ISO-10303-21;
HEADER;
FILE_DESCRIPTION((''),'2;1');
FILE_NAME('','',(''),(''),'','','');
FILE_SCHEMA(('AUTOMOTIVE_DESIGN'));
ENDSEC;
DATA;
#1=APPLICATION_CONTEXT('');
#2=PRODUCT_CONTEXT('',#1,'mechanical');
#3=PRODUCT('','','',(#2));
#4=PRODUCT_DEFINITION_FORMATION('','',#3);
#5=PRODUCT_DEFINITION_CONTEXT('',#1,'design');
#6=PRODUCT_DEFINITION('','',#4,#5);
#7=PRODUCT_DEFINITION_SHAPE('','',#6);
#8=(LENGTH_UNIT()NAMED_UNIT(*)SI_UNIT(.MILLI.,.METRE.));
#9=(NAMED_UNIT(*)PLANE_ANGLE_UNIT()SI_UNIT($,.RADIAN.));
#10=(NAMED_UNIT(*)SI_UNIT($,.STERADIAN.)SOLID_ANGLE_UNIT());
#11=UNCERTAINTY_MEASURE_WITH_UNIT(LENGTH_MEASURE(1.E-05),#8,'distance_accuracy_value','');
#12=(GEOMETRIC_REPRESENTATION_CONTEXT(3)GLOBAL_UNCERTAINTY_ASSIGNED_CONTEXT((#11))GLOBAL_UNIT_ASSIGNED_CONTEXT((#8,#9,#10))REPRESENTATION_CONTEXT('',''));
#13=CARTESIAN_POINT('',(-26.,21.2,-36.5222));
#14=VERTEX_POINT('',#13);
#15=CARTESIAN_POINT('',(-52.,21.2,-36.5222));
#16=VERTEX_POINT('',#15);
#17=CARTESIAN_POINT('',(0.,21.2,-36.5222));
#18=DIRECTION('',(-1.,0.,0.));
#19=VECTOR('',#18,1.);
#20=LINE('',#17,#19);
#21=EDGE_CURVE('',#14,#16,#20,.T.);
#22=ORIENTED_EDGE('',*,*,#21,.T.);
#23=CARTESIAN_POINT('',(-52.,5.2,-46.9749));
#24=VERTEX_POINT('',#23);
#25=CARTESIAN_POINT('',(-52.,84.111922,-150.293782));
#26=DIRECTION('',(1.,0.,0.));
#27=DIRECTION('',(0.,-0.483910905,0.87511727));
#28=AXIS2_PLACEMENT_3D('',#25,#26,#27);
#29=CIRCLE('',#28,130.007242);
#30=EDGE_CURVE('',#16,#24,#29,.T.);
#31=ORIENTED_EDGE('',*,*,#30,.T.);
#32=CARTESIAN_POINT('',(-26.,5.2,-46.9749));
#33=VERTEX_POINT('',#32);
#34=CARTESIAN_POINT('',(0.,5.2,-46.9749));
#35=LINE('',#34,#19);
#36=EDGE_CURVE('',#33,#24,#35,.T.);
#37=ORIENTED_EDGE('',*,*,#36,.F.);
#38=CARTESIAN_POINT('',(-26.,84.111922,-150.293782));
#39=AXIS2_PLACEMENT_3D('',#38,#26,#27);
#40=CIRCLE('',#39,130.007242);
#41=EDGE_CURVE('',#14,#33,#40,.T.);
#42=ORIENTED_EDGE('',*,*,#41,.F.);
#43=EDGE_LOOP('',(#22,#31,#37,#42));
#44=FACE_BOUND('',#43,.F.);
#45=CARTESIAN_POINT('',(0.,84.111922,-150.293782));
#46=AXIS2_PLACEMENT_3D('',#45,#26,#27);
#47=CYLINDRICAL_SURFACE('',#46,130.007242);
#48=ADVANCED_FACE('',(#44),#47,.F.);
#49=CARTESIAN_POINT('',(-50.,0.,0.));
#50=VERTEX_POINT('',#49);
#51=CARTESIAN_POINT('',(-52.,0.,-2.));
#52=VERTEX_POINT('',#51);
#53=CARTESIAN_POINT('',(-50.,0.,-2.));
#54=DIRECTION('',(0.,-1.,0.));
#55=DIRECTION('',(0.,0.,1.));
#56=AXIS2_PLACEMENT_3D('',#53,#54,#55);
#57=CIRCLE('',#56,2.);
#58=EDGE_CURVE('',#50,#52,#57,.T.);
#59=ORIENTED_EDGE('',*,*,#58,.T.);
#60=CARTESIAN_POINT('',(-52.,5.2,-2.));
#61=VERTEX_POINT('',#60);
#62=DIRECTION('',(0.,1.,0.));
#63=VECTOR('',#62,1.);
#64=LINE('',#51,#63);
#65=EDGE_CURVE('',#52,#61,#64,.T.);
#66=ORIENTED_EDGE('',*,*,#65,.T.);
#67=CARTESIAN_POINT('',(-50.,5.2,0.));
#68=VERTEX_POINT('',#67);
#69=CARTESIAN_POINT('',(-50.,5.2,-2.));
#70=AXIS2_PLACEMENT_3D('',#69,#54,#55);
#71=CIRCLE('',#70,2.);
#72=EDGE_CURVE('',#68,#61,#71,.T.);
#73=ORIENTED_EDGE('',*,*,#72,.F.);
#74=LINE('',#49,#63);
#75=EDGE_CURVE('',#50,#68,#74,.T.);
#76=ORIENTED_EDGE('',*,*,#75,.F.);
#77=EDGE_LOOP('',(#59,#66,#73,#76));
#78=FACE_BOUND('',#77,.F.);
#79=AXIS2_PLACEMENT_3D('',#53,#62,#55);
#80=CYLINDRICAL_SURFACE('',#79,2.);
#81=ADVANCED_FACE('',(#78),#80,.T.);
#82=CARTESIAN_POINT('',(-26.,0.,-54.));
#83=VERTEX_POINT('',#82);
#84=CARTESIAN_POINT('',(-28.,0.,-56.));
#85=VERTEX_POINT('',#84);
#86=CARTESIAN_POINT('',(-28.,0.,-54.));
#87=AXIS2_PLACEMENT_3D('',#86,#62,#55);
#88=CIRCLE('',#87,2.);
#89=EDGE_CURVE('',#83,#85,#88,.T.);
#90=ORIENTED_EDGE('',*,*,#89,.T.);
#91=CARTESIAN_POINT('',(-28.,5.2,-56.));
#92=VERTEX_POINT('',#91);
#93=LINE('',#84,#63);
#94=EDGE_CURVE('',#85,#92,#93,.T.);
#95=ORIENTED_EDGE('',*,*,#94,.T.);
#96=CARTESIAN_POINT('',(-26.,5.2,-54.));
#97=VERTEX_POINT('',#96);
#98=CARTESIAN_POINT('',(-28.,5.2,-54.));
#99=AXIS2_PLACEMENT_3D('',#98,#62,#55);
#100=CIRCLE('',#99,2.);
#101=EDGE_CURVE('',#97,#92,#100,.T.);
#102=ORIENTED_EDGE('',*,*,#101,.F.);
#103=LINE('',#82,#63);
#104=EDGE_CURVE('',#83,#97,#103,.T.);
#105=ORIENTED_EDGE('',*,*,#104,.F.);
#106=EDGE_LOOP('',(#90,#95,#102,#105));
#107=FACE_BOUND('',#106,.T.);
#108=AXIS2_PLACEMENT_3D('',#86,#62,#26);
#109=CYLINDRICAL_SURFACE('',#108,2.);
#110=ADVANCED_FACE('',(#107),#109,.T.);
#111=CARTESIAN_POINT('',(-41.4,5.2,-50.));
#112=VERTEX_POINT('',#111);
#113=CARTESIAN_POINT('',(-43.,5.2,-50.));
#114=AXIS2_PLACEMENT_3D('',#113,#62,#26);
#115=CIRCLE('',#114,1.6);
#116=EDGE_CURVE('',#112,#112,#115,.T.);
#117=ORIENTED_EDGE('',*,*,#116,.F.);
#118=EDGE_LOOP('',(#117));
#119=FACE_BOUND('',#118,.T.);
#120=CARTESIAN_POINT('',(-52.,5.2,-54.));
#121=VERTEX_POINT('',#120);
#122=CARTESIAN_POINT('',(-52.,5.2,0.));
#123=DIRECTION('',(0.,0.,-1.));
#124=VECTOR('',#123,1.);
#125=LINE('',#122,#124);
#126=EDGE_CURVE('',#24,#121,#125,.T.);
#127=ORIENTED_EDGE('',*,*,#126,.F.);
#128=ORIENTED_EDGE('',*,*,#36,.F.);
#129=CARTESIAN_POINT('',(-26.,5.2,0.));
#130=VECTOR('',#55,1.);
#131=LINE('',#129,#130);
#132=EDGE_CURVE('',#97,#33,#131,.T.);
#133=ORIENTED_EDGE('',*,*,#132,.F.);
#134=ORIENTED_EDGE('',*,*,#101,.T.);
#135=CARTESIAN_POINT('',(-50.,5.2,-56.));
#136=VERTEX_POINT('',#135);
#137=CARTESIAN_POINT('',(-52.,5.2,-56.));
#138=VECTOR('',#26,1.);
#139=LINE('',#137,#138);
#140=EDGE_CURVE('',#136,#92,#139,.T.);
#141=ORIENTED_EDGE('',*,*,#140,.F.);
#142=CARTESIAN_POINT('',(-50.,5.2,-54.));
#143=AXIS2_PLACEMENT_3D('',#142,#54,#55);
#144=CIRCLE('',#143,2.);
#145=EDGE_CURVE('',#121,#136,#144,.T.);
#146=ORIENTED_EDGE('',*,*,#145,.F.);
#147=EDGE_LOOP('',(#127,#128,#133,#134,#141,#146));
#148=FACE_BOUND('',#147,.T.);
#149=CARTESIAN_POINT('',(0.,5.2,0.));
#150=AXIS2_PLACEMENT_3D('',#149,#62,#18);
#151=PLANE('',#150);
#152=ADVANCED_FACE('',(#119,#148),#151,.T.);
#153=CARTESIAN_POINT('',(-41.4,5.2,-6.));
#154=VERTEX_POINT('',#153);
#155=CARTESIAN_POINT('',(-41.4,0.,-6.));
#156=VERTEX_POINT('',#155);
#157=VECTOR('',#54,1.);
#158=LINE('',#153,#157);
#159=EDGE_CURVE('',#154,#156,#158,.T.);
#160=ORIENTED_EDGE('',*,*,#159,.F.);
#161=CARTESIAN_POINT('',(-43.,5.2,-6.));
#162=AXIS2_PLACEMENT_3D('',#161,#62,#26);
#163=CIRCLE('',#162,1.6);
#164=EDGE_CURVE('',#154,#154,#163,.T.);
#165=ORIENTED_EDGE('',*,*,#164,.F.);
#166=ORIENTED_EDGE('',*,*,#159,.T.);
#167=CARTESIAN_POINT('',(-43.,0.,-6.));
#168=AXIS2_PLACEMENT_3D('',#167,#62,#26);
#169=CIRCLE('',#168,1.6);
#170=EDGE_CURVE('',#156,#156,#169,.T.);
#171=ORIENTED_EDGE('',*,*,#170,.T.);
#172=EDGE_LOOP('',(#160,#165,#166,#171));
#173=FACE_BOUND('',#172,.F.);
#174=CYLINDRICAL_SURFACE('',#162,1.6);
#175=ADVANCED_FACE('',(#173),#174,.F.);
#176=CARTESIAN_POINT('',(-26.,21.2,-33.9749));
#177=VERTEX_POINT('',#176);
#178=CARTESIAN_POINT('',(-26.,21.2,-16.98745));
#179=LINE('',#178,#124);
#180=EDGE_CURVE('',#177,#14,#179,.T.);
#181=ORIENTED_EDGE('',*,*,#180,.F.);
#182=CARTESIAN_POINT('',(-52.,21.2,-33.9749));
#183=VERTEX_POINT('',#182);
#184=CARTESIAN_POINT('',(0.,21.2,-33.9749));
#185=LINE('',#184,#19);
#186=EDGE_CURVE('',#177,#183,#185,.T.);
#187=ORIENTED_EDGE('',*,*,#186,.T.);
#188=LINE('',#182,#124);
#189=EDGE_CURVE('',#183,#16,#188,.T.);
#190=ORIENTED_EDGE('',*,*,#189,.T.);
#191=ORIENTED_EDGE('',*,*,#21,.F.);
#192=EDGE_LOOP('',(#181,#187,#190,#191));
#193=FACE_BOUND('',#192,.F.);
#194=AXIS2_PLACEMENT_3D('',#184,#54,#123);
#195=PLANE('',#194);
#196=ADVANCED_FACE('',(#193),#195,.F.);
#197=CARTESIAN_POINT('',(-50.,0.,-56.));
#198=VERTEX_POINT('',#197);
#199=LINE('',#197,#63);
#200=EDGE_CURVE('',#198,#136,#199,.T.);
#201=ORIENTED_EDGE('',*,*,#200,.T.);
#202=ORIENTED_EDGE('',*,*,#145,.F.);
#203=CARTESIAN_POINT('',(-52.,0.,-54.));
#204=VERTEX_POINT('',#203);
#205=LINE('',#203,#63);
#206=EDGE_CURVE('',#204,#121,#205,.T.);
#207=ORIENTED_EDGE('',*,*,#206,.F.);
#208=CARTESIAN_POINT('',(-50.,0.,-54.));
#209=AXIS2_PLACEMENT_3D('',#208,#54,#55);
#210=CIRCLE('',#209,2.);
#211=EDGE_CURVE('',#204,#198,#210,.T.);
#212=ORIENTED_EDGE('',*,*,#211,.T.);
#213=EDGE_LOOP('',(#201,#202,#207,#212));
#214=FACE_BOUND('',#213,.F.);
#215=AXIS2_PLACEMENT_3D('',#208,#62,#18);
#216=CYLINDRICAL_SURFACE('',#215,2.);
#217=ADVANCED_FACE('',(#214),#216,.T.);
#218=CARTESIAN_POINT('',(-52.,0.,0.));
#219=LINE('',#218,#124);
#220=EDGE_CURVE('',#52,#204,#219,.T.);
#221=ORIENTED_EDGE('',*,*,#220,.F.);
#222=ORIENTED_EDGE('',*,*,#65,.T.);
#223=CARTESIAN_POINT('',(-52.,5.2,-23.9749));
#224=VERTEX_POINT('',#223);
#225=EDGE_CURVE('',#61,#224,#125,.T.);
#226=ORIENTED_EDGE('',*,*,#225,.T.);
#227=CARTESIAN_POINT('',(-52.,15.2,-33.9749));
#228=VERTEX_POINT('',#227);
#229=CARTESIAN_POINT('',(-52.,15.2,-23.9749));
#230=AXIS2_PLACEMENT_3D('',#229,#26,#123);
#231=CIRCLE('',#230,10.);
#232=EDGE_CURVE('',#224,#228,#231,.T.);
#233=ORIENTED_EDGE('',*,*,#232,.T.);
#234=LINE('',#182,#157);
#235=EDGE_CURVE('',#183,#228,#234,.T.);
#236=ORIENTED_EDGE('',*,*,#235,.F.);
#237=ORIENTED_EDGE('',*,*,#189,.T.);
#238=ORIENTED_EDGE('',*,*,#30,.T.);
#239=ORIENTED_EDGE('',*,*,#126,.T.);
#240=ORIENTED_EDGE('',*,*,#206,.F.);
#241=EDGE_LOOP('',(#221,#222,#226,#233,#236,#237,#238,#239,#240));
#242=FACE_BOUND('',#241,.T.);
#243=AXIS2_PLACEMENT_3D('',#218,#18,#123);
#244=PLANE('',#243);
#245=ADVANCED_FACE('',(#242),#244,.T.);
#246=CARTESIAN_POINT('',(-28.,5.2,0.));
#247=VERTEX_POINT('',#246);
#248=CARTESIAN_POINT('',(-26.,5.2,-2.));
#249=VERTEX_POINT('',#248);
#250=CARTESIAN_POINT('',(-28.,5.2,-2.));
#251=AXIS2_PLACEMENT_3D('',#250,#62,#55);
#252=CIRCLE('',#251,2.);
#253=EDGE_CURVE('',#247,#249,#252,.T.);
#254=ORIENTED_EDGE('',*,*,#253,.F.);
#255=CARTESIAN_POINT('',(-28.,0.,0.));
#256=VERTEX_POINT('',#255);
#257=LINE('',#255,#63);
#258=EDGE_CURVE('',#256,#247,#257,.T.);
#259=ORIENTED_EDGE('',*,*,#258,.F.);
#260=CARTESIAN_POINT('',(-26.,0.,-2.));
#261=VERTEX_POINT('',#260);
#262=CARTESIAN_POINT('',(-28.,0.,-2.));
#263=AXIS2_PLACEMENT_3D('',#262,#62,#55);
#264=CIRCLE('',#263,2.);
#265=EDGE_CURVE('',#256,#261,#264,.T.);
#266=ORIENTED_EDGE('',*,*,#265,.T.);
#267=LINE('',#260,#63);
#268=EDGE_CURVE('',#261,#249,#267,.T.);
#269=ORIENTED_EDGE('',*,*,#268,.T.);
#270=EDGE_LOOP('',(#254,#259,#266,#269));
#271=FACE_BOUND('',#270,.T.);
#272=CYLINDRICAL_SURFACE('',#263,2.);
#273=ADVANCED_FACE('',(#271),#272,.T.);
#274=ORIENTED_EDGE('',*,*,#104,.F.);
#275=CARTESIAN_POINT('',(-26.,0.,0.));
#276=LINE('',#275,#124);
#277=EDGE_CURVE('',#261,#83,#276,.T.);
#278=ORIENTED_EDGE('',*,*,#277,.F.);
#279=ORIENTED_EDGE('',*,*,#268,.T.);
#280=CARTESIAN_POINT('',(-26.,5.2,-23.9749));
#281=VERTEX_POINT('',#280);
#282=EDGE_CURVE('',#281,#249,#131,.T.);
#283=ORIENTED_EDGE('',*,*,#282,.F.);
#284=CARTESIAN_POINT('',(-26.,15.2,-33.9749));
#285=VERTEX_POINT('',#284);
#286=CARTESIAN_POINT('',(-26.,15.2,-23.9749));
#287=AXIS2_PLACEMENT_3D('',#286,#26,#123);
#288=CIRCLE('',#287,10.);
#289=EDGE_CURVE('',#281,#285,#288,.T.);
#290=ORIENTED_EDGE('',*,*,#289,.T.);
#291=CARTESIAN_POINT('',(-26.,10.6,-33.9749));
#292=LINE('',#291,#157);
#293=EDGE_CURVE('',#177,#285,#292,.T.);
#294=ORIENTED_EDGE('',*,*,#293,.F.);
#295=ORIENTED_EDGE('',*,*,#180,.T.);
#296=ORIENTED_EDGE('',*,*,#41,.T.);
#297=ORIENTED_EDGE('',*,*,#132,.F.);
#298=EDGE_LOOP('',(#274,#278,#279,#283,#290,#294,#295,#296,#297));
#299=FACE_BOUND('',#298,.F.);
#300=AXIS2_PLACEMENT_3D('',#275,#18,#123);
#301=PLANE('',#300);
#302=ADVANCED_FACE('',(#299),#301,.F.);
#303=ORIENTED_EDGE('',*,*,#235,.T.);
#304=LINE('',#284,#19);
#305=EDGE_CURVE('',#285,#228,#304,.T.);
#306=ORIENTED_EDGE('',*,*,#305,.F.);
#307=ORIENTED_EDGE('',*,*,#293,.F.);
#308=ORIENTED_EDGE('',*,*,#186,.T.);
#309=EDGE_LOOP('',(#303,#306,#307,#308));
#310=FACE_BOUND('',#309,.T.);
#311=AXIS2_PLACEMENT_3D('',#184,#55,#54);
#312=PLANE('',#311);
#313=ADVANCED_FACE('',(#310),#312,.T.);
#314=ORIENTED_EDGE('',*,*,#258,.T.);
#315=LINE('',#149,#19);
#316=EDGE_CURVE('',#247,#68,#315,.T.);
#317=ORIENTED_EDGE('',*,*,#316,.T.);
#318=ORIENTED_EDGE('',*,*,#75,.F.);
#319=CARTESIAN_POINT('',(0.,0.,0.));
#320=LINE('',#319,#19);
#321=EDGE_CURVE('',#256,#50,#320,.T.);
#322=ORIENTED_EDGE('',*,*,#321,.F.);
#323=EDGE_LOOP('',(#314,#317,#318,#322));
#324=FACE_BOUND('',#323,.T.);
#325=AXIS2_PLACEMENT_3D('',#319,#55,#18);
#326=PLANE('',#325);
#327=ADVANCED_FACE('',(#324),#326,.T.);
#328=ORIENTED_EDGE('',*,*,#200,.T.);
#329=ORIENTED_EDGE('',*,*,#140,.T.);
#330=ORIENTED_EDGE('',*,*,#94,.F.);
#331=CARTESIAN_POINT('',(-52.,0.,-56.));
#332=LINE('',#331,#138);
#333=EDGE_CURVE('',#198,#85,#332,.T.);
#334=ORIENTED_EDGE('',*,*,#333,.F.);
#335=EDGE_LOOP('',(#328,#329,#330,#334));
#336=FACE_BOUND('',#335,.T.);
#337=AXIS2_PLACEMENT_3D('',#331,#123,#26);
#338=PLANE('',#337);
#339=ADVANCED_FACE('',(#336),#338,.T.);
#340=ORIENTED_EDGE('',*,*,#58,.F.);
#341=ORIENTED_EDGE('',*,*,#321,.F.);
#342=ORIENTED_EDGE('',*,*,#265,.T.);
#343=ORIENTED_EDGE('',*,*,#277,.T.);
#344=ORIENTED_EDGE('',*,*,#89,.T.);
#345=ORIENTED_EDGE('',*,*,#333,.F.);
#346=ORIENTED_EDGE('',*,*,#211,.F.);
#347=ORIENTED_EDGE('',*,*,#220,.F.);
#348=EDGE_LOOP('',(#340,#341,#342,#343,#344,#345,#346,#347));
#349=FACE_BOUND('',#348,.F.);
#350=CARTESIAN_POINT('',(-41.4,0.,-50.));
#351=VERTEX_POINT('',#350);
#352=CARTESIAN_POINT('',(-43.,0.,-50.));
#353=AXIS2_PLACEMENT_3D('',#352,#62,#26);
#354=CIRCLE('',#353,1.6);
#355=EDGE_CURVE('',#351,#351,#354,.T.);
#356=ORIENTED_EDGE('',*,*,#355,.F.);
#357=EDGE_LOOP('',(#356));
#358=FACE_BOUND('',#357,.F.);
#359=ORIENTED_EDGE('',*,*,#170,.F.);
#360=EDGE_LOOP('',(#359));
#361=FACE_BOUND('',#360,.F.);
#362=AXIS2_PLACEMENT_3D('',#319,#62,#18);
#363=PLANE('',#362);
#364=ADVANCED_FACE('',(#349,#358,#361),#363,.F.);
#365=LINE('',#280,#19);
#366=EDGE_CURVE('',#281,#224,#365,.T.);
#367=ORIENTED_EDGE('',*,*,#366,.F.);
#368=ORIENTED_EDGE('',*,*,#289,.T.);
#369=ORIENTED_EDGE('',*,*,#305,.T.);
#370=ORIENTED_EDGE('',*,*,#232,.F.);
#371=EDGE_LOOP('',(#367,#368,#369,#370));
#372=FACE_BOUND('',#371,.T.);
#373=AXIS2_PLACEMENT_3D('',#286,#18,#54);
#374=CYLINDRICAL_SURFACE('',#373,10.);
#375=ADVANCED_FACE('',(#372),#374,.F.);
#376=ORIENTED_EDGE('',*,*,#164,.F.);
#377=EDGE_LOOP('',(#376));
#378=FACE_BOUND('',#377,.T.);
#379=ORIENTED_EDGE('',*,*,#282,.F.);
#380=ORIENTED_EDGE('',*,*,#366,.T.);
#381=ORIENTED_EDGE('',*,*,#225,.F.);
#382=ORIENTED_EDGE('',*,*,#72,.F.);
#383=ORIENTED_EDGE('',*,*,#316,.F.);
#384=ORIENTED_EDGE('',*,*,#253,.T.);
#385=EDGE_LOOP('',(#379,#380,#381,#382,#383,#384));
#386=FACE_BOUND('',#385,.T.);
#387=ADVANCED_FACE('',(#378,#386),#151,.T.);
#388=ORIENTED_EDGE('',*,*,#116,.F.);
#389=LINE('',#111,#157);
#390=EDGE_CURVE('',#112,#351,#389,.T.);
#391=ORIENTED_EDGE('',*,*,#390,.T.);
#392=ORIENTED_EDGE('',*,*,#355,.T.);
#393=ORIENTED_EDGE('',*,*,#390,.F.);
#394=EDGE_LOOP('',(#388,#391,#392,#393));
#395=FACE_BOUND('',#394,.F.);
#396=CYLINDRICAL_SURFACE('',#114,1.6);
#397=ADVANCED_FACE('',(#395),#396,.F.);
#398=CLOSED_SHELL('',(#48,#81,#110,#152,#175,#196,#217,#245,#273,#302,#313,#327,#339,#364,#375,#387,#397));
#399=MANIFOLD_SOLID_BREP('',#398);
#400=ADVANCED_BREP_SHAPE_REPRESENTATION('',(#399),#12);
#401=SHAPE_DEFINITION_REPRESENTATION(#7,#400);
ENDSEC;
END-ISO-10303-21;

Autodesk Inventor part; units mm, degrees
ref_plane "YZ Plane" through (0, 0, 0) normal (1, 0, 0) x (0, 1, 0)
ref_plane "XZ Plane" through (0, 0, 0) normal (0, 1, 0) x (-1, 0, 0)
ref_plane "XY Plane" through (0, 0, 0) normal (0, 0, 1) x (1, 0, 0)
sketch "Эскиз1" plane through (0, 0, 0) normal (0, 1, 0) x (-1, 0, 0)
  line L0 (0, 0) -> (52, 0)
  line L1 (52, 0) -> (52, -56)
  line L2 (52, -56) -> (0, -56)
  line L3 (0, -56) -> (0, 0)
  dimension "d0" = 56
  dimension "d9" = 52
extrude "Выдавливание1" add sketch "Эскиз1" along normal blind 5.2
ref_plane "РабПлоскость2" through (0, 3.2, -12) normal (0, -1, 0) x (1, 0, 0)
fillet "Сопряжение1" radius 2 4 edges at (0, 2.6, 0) (0, 2.6, -56) (-52, 2.6, -56) (-52, 2.6, 0)
ref_plane "РабПлоскость1" through (0, 0, -12) normal (1, 0, 0) x (0, 0, -1)
sketch "Эскиз4" plane through (0, 0, -12) normal (1, 0, 0) x (0, 0, -1)
  line L0 (34.9749, 5.2) -> (21.9749, 5.2)
  line L1 (21.9749, 21.2) -> (21.9749, 5.2)
  arc A0 (24.5222, 21.2) -> (34.9749, 5.2) centre (138.2876, 84.1082) ccw
  line L2 (21.9749, 21.2) -> (24.5222, 21.2)
  line L3 (44, 0) -> (44, 5.2) projected
  point P0 (-12, 0)
  dimension "d26" = 13
  dimension "d35" = 130
  dimension "d43" = 9.0251
extrude "Выдавливание4" add sketch "Эскиз4" against normal up to surface (52 mm away)
sketch "Эскиз5" plane through (0, 0, 0) normal (0, -1, 0) x (1, 0, 0)
  line L0 (0, 0) -> (-26, 0)
  line L1 (-26, 0) -> (-26, -56)
  line L2 (-26, -56) -> (0, -56)
  line L3 (0, -56) -> (0, 0)
  dimension "d37" = 26
extrude "Выдавливание5" cut sketch "Эскиз5" against normal blind 34
fillet "Сопряжение4" radius 2 2 edges at (-26, 2.6, 0) (-26, 2.6, -56)
fillet "Сопряжение5" radius 10 1 edges at (-39, 5.2, -33.9749)
sketch "Эскиз6" plane through (0, 5.2, 0) normal (0, 1, 0) x (1, 0, 0)
  circle A0 centre (-43, 6) radius 1.6
  circle A1 centre (-43, 50) radius 1.6
  line L0 (-52, 54) -> (-52, 46.9749) projected
  line L1 (-52, 23.9749) -> (-52, 2) projected
  line L2 (-50, 0) -> (-28, 0) projected
  line L3 (-28, 56) -> (-50, 56) projected
  point P0 (0, 0)
  dimension "d45" = 3.2
  dimension "d46" = 3.2
  dimension "d47" = 9
  dimension "d48" = 9
  dimension "d49" = 6
  dimension "d50" = 6
extrude "Выдавливание6" cut sketch "Эскиз6" against normal blind 40
properties part number "порожек"
